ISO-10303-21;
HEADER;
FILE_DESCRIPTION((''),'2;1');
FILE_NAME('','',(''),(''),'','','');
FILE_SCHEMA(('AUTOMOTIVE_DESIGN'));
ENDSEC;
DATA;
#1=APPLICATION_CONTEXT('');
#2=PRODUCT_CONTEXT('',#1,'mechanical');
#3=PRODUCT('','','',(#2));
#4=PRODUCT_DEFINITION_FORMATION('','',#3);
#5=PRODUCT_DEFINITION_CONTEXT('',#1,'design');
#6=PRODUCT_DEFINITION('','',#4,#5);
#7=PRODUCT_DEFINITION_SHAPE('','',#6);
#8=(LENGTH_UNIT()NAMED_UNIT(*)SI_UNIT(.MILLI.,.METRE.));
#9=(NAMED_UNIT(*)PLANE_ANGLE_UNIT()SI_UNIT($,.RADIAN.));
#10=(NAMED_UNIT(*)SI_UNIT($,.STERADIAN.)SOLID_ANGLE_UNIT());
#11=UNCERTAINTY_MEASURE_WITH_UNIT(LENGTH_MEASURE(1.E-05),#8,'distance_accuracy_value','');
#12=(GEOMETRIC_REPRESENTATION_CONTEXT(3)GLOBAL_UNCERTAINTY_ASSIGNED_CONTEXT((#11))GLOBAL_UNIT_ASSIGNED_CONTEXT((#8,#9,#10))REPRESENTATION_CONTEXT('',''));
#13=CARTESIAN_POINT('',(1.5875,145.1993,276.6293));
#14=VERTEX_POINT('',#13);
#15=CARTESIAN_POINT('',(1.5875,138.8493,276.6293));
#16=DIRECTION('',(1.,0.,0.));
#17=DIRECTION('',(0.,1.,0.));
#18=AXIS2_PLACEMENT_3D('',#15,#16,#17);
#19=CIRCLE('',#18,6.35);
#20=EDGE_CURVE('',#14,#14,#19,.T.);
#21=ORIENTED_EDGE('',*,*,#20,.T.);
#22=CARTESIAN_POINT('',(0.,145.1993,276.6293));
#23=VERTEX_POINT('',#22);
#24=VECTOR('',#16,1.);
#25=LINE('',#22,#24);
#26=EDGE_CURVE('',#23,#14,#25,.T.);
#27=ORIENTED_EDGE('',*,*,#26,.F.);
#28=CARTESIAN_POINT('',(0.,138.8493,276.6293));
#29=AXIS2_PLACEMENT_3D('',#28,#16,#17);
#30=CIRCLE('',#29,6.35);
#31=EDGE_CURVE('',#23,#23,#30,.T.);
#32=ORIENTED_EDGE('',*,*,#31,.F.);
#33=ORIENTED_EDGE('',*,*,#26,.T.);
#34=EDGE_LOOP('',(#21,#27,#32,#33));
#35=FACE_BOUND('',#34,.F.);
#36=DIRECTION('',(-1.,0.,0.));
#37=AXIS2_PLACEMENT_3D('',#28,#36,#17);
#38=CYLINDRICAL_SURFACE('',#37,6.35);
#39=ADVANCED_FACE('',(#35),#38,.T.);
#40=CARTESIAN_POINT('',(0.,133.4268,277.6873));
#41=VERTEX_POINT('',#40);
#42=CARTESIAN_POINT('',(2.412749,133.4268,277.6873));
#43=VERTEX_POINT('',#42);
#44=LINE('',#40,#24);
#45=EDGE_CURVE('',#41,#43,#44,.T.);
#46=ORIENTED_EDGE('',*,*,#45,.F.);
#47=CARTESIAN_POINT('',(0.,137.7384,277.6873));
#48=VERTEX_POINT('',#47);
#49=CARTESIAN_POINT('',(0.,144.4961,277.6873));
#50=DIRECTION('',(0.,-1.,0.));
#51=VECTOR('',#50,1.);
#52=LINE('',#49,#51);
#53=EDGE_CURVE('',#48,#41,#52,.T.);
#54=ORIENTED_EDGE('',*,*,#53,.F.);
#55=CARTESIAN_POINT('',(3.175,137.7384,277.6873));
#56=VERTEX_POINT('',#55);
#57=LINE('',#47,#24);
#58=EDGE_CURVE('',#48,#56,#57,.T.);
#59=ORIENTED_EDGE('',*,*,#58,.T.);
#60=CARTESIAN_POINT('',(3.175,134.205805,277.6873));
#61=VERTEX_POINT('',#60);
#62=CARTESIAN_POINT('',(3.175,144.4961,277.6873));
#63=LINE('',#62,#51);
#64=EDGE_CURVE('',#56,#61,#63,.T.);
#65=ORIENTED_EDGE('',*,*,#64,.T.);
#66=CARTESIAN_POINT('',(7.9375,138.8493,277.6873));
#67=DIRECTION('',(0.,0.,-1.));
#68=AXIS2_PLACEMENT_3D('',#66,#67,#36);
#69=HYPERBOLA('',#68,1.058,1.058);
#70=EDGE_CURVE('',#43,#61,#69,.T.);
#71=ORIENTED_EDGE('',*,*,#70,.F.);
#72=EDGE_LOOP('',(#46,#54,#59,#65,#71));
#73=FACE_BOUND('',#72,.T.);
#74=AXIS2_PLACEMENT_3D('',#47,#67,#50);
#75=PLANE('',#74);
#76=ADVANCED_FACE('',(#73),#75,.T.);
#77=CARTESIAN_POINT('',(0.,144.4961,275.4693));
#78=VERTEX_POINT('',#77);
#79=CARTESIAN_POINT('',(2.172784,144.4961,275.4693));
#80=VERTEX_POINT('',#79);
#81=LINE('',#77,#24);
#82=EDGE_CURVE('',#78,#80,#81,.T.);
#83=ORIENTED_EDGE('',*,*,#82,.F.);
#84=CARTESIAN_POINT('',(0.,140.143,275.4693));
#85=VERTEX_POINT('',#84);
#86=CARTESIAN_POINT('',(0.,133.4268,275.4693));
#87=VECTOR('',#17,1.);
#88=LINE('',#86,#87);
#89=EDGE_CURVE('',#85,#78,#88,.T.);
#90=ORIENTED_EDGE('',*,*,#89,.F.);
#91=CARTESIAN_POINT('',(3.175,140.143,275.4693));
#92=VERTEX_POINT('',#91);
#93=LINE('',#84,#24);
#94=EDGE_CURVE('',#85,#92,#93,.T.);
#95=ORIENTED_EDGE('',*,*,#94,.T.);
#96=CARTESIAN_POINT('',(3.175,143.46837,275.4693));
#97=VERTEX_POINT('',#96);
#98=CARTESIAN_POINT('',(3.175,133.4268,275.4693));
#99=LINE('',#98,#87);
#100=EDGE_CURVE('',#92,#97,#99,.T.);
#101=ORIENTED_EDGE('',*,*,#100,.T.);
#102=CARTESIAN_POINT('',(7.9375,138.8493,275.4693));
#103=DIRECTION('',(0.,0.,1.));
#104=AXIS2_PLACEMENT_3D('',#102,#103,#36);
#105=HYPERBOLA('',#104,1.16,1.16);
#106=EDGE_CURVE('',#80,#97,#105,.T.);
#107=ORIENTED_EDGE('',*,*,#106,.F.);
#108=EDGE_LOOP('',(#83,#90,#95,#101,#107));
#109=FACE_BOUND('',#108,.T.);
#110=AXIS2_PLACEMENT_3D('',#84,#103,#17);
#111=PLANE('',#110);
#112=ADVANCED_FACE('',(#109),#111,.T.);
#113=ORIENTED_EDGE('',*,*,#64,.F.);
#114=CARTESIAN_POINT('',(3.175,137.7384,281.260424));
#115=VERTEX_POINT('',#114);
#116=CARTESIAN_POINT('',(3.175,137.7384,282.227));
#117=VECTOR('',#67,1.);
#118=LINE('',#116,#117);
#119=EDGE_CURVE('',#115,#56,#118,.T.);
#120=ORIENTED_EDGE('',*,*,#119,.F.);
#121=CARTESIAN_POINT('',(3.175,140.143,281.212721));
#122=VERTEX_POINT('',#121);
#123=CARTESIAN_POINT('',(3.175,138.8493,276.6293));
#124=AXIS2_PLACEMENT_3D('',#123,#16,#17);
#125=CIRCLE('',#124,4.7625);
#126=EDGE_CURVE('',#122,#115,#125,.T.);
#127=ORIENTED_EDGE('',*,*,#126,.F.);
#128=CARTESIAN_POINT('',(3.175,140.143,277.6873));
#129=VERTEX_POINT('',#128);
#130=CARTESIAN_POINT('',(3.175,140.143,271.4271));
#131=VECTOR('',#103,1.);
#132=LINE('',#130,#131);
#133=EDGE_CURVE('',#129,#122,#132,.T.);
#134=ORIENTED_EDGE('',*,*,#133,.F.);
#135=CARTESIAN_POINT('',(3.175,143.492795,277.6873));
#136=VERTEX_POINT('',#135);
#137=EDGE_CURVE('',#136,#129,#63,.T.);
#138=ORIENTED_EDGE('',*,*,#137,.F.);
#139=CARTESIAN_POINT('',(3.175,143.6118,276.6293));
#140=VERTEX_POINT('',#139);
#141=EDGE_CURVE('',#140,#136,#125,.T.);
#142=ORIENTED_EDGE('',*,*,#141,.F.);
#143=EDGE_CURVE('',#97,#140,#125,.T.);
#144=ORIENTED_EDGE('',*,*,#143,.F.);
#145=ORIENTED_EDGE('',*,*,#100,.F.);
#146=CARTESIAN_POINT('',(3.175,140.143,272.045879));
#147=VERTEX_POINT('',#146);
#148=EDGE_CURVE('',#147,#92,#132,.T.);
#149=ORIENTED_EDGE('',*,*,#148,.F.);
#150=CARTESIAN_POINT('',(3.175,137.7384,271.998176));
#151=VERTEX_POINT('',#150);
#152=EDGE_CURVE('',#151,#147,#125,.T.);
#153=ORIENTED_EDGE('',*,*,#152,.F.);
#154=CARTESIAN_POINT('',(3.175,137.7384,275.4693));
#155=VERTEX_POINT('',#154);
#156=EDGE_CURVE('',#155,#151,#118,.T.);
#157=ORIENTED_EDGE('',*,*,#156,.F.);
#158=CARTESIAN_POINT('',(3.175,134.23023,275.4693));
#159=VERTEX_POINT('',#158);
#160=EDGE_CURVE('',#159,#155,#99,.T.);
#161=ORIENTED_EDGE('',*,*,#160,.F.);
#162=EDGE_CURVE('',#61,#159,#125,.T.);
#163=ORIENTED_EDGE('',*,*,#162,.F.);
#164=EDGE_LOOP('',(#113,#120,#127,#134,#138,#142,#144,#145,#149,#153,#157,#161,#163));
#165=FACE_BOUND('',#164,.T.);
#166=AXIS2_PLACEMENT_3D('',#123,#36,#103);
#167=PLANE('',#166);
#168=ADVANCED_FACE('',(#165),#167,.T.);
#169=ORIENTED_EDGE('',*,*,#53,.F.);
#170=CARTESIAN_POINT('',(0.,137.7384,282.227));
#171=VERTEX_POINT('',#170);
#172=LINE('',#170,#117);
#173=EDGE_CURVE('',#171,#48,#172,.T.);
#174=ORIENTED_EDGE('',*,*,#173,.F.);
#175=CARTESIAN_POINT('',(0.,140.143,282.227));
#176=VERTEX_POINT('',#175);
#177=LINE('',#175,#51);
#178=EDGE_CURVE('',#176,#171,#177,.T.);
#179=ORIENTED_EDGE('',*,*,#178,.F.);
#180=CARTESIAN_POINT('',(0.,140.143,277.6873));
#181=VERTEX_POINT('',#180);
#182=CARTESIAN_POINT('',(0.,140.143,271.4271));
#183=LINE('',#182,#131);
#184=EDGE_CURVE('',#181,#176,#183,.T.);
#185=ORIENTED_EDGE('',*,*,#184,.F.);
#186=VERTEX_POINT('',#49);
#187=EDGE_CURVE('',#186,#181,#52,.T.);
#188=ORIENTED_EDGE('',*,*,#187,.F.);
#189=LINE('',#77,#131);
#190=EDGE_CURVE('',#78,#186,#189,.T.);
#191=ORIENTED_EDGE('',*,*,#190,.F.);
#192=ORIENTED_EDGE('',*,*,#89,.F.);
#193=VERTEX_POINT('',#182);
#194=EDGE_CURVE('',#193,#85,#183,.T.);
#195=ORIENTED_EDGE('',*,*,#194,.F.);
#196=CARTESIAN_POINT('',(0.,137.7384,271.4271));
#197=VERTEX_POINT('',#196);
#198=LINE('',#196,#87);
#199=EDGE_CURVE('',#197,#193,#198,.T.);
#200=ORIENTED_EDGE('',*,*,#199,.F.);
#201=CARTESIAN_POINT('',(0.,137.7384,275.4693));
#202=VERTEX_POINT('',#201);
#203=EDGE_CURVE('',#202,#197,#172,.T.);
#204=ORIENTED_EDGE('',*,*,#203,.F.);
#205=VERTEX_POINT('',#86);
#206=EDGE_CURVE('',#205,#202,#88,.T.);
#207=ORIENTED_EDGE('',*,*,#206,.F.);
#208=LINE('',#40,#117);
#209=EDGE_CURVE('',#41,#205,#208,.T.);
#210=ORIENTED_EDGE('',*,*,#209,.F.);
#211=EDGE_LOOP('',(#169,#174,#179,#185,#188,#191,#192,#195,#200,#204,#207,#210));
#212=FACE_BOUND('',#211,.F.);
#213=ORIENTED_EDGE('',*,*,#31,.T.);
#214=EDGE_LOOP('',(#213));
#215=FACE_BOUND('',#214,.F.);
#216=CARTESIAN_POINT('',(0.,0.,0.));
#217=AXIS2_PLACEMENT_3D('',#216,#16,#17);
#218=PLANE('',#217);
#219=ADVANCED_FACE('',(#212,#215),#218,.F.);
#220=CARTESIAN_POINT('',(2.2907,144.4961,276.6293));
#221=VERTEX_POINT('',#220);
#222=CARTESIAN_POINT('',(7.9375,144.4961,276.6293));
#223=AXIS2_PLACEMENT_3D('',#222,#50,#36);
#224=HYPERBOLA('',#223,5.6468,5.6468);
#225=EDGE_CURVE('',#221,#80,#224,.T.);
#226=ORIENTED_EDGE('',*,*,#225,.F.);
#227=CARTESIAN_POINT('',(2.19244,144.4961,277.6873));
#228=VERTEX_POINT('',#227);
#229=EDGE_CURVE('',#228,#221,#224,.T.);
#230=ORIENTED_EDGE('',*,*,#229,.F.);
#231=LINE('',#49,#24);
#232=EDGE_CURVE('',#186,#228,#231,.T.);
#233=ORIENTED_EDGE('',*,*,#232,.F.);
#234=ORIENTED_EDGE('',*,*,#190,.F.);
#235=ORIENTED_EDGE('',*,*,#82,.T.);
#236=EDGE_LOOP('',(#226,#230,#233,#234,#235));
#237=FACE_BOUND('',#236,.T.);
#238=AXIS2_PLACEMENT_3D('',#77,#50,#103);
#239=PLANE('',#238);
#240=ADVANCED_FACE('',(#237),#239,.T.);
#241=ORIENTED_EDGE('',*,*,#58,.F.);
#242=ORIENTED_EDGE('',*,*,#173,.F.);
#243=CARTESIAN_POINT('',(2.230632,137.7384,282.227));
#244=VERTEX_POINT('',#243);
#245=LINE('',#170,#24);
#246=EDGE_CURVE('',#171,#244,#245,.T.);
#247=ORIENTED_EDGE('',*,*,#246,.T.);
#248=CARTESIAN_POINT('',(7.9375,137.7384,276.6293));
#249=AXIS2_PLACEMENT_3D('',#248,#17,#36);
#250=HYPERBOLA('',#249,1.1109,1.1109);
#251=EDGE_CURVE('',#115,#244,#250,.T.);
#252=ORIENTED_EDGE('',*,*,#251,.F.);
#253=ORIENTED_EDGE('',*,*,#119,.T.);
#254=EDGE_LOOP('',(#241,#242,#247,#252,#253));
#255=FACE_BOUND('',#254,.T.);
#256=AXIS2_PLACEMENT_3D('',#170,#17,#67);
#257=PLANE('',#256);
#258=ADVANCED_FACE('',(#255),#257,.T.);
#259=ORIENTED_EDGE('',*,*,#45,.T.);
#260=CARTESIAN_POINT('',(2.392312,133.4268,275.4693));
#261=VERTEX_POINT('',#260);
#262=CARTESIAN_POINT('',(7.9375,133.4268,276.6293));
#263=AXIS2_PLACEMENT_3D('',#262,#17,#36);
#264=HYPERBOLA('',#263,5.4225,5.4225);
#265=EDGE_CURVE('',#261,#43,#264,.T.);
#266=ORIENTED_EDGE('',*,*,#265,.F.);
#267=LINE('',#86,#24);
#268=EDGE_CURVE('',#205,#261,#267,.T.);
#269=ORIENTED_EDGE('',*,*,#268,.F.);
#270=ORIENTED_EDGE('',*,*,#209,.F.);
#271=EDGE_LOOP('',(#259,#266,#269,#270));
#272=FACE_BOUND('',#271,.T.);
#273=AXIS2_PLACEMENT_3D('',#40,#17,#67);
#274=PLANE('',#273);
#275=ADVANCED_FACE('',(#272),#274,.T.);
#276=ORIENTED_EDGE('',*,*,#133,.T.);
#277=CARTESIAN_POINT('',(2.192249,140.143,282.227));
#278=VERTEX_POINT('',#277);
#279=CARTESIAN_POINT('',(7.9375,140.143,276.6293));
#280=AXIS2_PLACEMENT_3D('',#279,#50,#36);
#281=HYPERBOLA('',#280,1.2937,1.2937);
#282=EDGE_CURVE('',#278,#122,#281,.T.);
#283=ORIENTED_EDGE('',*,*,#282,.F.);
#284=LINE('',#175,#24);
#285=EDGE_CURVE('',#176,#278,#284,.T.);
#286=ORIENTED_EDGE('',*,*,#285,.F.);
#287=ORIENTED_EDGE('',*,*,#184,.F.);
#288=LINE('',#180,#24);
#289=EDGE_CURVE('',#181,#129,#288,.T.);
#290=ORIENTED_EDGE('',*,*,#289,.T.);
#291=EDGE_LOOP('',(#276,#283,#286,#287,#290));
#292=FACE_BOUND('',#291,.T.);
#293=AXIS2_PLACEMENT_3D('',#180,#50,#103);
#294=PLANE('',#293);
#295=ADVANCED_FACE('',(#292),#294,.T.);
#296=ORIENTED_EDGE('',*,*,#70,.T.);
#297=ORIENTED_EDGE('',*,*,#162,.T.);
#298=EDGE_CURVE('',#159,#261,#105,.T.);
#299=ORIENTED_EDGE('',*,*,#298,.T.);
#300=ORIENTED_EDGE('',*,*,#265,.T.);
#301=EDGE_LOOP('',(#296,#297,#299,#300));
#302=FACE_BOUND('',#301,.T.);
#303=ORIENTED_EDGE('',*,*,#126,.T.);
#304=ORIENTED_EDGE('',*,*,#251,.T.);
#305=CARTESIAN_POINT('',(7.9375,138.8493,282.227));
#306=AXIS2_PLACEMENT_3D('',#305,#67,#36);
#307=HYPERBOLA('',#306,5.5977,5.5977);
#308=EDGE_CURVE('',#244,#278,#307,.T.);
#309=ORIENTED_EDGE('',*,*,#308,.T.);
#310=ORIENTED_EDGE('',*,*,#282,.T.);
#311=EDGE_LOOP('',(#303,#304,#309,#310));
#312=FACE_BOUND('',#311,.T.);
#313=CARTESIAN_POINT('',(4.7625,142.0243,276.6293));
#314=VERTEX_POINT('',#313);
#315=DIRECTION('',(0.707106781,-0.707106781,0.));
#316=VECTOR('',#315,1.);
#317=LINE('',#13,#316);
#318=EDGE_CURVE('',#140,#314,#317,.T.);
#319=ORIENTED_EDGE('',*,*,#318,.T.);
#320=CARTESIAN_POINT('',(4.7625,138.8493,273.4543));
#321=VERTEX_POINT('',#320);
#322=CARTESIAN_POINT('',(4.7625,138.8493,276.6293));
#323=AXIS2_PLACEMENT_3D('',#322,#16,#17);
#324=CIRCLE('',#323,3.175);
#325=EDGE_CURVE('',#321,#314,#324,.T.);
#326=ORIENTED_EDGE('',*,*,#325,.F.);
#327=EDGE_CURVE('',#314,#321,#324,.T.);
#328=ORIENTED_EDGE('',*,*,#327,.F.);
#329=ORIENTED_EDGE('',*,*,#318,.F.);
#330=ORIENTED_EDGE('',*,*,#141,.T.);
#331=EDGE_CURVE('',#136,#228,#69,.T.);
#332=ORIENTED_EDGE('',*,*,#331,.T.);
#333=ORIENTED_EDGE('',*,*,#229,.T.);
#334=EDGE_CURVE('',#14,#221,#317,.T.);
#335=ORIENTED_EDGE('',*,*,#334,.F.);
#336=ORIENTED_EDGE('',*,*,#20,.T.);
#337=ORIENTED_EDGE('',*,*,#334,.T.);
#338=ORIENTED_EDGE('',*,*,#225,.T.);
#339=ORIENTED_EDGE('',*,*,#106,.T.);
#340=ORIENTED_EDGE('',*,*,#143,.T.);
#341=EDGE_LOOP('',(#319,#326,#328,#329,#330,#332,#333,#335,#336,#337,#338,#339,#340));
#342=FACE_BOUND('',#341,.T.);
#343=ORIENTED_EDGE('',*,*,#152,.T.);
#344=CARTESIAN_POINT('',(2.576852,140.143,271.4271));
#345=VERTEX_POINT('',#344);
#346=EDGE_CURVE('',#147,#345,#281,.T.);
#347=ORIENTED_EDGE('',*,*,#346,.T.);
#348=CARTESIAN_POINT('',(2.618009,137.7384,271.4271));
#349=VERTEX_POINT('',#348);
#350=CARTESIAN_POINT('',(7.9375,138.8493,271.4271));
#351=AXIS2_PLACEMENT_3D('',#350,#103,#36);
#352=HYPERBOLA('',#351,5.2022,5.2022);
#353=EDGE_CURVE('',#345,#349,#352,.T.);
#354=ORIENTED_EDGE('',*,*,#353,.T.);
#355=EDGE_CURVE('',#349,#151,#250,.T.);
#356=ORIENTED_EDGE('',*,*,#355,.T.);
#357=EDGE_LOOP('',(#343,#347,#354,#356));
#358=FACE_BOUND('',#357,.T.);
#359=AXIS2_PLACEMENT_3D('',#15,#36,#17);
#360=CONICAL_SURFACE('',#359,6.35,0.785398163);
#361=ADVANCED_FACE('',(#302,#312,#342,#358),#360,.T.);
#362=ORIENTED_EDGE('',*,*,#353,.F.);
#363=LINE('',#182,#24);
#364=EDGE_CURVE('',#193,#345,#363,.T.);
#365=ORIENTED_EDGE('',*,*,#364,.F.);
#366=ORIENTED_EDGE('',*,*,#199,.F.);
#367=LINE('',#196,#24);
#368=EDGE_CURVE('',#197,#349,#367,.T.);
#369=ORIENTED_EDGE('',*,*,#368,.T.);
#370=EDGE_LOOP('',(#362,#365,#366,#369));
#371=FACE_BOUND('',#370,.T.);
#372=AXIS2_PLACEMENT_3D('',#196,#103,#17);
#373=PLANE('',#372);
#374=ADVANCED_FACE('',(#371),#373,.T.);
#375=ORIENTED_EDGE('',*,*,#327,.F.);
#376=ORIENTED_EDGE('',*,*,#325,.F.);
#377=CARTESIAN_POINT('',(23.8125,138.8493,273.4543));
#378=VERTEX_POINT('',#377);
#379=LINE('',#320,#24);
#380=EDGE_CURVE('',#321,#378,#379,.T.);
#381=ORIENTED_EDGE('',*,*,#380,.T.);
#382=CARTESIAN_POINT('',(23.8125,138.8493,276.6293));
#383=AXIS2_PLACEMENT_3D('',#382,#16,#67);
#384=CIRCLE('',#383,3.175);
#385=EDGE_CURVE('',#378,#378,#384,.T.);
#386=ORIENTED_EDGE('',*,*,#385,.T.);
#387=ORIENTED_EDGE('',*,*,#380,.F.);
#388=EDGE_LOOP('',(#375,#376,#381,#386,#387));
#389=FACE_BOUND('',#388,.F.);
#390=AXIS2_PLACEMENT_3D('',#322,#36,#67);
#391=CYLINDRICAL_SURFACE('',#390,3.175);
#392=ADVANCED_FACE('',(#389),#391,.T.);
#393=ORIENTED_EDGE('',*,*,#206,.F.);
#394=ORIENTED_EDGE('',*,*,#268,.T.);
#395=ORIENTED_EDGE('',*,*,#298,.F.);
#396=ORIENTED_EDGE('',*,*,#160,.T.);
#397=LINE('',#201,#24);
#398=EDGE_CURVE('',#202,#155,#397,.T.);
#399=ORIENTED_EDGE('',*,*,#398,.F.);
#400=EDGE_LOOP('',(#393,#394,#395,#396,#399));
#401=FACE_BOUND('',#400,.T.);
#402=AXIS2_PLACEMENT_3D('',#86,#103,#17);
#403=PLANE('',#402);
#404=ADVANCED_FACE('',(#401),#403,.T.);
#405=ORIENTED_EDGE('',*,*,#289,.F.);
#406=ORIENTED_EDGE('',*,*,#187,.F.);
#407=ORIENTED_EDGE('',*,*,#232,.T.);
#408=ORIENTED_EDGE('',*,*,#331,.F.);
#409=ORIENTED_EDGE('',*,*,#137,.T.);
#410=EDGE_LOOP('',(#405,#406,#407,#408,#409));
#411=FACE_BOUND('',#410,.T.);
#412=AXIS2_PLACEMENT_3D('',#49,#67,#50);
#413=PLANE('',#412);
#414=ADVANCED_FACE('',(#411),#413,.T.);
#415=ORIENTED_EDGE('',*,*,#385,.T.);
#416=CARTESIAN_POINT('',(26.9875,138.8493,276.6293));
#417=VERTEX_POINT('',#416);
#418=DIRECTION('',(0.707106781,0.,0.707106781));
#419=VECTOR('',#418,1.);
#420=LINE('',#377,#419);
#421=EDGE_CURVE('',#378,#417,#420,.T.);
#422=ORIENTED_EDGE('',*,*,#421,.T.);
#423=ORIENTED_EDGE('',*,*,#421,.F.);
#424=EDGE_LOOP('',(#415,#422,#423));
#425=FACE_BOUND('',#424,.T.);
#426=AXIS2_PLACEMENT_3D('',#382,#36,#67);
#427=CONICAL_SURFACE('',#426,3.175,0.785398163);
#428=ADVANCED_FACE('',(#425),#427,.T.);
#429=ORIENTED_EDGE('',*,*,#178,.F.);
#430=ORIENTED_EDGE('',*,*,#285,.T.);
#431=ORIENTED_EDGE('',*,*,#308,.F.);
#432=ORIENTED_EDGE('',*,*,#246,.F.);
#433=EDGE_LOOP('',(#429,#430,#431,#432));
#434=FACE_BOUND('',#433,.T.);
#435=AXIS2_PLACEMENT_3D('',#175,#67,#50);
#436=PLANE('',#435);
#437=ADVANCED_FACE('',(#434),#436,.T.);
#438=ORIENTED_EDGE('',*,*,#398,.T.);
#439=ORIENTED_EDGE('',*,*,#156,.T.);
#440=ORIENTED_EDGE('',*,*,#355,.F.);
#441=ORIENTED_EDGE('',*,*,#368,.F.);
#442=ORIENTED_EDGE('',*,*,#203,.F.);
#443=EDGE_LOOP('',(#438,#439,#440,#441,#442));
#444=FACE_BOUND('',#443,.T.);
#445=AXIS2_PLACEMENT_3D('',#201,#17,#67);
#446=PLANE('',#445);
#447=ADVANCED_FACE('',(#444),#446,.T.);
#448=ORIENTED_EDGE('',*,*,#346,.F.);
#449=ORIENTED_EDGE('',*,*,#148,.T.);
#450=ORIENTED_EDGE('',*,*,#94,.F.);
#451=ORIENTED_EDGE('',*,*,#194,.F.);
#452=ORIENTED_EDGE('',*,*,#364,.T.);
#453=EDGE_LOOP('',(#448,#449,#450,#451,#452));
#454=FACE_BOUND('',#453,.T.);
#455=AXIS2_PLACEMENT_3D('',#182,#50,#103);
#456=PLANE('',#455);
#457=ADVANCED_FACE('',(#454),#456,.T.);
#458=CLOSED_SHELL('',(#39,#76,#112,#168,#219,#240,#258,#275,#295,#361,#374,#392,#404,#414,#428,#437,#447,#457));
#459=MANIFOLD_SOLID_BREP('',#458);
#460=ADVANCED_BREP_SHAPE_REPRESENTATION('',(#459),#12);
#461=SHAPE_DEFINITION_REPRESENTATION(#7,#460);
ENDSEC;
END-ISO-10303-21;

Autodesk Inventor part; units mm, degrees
ref_plane "YZ Plane" through (0, 0, 0) normal (1, 0, 0) x (0, 1, 0)
ref_plane "XZ Plane" through (0, 0, 0) normal (0, 1, 0) x (-1, 0, 0)
ref_plane "XY Plane" through (0, 0, 0) normal (0, 0, 1) x (1, 0, 0)
sketch "Sketch1" plane through (0, 0, 0) normal (1, 0, 0) x (0, 1, 0)
  circle A0 centre (169.2255, 363.3555) radius 48.0965
  circle A1 centre (138.8493, 276.6293) radius 6.35
  point P0 (0, 0)
  dimension "d0" = 12.7
extrude "Extrusion1" add sketch "Sketch1" along normal blind 4.7625 contours A1
chamfer "Chamfer1" distance 3.175 angle 45 1 edges at (4.7625, 132.4993, 276.6293)
sketch "Sketch2" plane through (4.7625, 138.8493, 276.6293) normal (1, 0, 0) x (0, 0, -1)
  circle A0 centre (0, 0) radius 3.175 projected
  circle A1 centre (0, 0) radius 3.175
  point P0 (276.6293, -138.8493)
extrude "Extrusion2" add sketch "Sketch2" along normal blind 22.225
chamfer "Chamfer2" distance 3.175 angle 45 1 edges at (26.9875, 138.8493, 279.8043)
sketch "Sketch3" plane through (0, 138.8493, 276.6293) normal (-1, 0, 0) x (0, 0, 1)
  point P0 (-276.6293, -138.8493)
thread "Thread1" size "1/4-20 UNC" class "2A" standard "ANSI Unified Screw Threads" full length
sketch "Sketch4" plane through (0, 138.8493, 276.6293) normal (-1, 0, 0) x (0, 0, 1)
  line L0 (-1.16, 5.6468) -> (1.058, 5.6468)
  line L1 (1.058, 5.6468) -> (1.058, -5.4225)
  line L2 (1.058, -5.4225) -> (-1.16, -5.4225)
  line L3 (-1.16, -5.4225) -> (-1.16, 5.6468)
  line L4 (-5.2022, 1.2937) -> (5.5977, 1.2937)
  line L5 (5.5977, 1.2937) -> (5.5977, -1.1109)
  line L6 (5.5977, -1.1109) -> (-5.2022, -1.1109)
  line L7 (-5.2022, -1.1109) -> (-5.2022, 1.2937)
  point P0 (-276.6293, -138.8493)
extrude "Extrusion3" cut sketch "Sketch4" against normal blind 3.175
properties part number "screw"
